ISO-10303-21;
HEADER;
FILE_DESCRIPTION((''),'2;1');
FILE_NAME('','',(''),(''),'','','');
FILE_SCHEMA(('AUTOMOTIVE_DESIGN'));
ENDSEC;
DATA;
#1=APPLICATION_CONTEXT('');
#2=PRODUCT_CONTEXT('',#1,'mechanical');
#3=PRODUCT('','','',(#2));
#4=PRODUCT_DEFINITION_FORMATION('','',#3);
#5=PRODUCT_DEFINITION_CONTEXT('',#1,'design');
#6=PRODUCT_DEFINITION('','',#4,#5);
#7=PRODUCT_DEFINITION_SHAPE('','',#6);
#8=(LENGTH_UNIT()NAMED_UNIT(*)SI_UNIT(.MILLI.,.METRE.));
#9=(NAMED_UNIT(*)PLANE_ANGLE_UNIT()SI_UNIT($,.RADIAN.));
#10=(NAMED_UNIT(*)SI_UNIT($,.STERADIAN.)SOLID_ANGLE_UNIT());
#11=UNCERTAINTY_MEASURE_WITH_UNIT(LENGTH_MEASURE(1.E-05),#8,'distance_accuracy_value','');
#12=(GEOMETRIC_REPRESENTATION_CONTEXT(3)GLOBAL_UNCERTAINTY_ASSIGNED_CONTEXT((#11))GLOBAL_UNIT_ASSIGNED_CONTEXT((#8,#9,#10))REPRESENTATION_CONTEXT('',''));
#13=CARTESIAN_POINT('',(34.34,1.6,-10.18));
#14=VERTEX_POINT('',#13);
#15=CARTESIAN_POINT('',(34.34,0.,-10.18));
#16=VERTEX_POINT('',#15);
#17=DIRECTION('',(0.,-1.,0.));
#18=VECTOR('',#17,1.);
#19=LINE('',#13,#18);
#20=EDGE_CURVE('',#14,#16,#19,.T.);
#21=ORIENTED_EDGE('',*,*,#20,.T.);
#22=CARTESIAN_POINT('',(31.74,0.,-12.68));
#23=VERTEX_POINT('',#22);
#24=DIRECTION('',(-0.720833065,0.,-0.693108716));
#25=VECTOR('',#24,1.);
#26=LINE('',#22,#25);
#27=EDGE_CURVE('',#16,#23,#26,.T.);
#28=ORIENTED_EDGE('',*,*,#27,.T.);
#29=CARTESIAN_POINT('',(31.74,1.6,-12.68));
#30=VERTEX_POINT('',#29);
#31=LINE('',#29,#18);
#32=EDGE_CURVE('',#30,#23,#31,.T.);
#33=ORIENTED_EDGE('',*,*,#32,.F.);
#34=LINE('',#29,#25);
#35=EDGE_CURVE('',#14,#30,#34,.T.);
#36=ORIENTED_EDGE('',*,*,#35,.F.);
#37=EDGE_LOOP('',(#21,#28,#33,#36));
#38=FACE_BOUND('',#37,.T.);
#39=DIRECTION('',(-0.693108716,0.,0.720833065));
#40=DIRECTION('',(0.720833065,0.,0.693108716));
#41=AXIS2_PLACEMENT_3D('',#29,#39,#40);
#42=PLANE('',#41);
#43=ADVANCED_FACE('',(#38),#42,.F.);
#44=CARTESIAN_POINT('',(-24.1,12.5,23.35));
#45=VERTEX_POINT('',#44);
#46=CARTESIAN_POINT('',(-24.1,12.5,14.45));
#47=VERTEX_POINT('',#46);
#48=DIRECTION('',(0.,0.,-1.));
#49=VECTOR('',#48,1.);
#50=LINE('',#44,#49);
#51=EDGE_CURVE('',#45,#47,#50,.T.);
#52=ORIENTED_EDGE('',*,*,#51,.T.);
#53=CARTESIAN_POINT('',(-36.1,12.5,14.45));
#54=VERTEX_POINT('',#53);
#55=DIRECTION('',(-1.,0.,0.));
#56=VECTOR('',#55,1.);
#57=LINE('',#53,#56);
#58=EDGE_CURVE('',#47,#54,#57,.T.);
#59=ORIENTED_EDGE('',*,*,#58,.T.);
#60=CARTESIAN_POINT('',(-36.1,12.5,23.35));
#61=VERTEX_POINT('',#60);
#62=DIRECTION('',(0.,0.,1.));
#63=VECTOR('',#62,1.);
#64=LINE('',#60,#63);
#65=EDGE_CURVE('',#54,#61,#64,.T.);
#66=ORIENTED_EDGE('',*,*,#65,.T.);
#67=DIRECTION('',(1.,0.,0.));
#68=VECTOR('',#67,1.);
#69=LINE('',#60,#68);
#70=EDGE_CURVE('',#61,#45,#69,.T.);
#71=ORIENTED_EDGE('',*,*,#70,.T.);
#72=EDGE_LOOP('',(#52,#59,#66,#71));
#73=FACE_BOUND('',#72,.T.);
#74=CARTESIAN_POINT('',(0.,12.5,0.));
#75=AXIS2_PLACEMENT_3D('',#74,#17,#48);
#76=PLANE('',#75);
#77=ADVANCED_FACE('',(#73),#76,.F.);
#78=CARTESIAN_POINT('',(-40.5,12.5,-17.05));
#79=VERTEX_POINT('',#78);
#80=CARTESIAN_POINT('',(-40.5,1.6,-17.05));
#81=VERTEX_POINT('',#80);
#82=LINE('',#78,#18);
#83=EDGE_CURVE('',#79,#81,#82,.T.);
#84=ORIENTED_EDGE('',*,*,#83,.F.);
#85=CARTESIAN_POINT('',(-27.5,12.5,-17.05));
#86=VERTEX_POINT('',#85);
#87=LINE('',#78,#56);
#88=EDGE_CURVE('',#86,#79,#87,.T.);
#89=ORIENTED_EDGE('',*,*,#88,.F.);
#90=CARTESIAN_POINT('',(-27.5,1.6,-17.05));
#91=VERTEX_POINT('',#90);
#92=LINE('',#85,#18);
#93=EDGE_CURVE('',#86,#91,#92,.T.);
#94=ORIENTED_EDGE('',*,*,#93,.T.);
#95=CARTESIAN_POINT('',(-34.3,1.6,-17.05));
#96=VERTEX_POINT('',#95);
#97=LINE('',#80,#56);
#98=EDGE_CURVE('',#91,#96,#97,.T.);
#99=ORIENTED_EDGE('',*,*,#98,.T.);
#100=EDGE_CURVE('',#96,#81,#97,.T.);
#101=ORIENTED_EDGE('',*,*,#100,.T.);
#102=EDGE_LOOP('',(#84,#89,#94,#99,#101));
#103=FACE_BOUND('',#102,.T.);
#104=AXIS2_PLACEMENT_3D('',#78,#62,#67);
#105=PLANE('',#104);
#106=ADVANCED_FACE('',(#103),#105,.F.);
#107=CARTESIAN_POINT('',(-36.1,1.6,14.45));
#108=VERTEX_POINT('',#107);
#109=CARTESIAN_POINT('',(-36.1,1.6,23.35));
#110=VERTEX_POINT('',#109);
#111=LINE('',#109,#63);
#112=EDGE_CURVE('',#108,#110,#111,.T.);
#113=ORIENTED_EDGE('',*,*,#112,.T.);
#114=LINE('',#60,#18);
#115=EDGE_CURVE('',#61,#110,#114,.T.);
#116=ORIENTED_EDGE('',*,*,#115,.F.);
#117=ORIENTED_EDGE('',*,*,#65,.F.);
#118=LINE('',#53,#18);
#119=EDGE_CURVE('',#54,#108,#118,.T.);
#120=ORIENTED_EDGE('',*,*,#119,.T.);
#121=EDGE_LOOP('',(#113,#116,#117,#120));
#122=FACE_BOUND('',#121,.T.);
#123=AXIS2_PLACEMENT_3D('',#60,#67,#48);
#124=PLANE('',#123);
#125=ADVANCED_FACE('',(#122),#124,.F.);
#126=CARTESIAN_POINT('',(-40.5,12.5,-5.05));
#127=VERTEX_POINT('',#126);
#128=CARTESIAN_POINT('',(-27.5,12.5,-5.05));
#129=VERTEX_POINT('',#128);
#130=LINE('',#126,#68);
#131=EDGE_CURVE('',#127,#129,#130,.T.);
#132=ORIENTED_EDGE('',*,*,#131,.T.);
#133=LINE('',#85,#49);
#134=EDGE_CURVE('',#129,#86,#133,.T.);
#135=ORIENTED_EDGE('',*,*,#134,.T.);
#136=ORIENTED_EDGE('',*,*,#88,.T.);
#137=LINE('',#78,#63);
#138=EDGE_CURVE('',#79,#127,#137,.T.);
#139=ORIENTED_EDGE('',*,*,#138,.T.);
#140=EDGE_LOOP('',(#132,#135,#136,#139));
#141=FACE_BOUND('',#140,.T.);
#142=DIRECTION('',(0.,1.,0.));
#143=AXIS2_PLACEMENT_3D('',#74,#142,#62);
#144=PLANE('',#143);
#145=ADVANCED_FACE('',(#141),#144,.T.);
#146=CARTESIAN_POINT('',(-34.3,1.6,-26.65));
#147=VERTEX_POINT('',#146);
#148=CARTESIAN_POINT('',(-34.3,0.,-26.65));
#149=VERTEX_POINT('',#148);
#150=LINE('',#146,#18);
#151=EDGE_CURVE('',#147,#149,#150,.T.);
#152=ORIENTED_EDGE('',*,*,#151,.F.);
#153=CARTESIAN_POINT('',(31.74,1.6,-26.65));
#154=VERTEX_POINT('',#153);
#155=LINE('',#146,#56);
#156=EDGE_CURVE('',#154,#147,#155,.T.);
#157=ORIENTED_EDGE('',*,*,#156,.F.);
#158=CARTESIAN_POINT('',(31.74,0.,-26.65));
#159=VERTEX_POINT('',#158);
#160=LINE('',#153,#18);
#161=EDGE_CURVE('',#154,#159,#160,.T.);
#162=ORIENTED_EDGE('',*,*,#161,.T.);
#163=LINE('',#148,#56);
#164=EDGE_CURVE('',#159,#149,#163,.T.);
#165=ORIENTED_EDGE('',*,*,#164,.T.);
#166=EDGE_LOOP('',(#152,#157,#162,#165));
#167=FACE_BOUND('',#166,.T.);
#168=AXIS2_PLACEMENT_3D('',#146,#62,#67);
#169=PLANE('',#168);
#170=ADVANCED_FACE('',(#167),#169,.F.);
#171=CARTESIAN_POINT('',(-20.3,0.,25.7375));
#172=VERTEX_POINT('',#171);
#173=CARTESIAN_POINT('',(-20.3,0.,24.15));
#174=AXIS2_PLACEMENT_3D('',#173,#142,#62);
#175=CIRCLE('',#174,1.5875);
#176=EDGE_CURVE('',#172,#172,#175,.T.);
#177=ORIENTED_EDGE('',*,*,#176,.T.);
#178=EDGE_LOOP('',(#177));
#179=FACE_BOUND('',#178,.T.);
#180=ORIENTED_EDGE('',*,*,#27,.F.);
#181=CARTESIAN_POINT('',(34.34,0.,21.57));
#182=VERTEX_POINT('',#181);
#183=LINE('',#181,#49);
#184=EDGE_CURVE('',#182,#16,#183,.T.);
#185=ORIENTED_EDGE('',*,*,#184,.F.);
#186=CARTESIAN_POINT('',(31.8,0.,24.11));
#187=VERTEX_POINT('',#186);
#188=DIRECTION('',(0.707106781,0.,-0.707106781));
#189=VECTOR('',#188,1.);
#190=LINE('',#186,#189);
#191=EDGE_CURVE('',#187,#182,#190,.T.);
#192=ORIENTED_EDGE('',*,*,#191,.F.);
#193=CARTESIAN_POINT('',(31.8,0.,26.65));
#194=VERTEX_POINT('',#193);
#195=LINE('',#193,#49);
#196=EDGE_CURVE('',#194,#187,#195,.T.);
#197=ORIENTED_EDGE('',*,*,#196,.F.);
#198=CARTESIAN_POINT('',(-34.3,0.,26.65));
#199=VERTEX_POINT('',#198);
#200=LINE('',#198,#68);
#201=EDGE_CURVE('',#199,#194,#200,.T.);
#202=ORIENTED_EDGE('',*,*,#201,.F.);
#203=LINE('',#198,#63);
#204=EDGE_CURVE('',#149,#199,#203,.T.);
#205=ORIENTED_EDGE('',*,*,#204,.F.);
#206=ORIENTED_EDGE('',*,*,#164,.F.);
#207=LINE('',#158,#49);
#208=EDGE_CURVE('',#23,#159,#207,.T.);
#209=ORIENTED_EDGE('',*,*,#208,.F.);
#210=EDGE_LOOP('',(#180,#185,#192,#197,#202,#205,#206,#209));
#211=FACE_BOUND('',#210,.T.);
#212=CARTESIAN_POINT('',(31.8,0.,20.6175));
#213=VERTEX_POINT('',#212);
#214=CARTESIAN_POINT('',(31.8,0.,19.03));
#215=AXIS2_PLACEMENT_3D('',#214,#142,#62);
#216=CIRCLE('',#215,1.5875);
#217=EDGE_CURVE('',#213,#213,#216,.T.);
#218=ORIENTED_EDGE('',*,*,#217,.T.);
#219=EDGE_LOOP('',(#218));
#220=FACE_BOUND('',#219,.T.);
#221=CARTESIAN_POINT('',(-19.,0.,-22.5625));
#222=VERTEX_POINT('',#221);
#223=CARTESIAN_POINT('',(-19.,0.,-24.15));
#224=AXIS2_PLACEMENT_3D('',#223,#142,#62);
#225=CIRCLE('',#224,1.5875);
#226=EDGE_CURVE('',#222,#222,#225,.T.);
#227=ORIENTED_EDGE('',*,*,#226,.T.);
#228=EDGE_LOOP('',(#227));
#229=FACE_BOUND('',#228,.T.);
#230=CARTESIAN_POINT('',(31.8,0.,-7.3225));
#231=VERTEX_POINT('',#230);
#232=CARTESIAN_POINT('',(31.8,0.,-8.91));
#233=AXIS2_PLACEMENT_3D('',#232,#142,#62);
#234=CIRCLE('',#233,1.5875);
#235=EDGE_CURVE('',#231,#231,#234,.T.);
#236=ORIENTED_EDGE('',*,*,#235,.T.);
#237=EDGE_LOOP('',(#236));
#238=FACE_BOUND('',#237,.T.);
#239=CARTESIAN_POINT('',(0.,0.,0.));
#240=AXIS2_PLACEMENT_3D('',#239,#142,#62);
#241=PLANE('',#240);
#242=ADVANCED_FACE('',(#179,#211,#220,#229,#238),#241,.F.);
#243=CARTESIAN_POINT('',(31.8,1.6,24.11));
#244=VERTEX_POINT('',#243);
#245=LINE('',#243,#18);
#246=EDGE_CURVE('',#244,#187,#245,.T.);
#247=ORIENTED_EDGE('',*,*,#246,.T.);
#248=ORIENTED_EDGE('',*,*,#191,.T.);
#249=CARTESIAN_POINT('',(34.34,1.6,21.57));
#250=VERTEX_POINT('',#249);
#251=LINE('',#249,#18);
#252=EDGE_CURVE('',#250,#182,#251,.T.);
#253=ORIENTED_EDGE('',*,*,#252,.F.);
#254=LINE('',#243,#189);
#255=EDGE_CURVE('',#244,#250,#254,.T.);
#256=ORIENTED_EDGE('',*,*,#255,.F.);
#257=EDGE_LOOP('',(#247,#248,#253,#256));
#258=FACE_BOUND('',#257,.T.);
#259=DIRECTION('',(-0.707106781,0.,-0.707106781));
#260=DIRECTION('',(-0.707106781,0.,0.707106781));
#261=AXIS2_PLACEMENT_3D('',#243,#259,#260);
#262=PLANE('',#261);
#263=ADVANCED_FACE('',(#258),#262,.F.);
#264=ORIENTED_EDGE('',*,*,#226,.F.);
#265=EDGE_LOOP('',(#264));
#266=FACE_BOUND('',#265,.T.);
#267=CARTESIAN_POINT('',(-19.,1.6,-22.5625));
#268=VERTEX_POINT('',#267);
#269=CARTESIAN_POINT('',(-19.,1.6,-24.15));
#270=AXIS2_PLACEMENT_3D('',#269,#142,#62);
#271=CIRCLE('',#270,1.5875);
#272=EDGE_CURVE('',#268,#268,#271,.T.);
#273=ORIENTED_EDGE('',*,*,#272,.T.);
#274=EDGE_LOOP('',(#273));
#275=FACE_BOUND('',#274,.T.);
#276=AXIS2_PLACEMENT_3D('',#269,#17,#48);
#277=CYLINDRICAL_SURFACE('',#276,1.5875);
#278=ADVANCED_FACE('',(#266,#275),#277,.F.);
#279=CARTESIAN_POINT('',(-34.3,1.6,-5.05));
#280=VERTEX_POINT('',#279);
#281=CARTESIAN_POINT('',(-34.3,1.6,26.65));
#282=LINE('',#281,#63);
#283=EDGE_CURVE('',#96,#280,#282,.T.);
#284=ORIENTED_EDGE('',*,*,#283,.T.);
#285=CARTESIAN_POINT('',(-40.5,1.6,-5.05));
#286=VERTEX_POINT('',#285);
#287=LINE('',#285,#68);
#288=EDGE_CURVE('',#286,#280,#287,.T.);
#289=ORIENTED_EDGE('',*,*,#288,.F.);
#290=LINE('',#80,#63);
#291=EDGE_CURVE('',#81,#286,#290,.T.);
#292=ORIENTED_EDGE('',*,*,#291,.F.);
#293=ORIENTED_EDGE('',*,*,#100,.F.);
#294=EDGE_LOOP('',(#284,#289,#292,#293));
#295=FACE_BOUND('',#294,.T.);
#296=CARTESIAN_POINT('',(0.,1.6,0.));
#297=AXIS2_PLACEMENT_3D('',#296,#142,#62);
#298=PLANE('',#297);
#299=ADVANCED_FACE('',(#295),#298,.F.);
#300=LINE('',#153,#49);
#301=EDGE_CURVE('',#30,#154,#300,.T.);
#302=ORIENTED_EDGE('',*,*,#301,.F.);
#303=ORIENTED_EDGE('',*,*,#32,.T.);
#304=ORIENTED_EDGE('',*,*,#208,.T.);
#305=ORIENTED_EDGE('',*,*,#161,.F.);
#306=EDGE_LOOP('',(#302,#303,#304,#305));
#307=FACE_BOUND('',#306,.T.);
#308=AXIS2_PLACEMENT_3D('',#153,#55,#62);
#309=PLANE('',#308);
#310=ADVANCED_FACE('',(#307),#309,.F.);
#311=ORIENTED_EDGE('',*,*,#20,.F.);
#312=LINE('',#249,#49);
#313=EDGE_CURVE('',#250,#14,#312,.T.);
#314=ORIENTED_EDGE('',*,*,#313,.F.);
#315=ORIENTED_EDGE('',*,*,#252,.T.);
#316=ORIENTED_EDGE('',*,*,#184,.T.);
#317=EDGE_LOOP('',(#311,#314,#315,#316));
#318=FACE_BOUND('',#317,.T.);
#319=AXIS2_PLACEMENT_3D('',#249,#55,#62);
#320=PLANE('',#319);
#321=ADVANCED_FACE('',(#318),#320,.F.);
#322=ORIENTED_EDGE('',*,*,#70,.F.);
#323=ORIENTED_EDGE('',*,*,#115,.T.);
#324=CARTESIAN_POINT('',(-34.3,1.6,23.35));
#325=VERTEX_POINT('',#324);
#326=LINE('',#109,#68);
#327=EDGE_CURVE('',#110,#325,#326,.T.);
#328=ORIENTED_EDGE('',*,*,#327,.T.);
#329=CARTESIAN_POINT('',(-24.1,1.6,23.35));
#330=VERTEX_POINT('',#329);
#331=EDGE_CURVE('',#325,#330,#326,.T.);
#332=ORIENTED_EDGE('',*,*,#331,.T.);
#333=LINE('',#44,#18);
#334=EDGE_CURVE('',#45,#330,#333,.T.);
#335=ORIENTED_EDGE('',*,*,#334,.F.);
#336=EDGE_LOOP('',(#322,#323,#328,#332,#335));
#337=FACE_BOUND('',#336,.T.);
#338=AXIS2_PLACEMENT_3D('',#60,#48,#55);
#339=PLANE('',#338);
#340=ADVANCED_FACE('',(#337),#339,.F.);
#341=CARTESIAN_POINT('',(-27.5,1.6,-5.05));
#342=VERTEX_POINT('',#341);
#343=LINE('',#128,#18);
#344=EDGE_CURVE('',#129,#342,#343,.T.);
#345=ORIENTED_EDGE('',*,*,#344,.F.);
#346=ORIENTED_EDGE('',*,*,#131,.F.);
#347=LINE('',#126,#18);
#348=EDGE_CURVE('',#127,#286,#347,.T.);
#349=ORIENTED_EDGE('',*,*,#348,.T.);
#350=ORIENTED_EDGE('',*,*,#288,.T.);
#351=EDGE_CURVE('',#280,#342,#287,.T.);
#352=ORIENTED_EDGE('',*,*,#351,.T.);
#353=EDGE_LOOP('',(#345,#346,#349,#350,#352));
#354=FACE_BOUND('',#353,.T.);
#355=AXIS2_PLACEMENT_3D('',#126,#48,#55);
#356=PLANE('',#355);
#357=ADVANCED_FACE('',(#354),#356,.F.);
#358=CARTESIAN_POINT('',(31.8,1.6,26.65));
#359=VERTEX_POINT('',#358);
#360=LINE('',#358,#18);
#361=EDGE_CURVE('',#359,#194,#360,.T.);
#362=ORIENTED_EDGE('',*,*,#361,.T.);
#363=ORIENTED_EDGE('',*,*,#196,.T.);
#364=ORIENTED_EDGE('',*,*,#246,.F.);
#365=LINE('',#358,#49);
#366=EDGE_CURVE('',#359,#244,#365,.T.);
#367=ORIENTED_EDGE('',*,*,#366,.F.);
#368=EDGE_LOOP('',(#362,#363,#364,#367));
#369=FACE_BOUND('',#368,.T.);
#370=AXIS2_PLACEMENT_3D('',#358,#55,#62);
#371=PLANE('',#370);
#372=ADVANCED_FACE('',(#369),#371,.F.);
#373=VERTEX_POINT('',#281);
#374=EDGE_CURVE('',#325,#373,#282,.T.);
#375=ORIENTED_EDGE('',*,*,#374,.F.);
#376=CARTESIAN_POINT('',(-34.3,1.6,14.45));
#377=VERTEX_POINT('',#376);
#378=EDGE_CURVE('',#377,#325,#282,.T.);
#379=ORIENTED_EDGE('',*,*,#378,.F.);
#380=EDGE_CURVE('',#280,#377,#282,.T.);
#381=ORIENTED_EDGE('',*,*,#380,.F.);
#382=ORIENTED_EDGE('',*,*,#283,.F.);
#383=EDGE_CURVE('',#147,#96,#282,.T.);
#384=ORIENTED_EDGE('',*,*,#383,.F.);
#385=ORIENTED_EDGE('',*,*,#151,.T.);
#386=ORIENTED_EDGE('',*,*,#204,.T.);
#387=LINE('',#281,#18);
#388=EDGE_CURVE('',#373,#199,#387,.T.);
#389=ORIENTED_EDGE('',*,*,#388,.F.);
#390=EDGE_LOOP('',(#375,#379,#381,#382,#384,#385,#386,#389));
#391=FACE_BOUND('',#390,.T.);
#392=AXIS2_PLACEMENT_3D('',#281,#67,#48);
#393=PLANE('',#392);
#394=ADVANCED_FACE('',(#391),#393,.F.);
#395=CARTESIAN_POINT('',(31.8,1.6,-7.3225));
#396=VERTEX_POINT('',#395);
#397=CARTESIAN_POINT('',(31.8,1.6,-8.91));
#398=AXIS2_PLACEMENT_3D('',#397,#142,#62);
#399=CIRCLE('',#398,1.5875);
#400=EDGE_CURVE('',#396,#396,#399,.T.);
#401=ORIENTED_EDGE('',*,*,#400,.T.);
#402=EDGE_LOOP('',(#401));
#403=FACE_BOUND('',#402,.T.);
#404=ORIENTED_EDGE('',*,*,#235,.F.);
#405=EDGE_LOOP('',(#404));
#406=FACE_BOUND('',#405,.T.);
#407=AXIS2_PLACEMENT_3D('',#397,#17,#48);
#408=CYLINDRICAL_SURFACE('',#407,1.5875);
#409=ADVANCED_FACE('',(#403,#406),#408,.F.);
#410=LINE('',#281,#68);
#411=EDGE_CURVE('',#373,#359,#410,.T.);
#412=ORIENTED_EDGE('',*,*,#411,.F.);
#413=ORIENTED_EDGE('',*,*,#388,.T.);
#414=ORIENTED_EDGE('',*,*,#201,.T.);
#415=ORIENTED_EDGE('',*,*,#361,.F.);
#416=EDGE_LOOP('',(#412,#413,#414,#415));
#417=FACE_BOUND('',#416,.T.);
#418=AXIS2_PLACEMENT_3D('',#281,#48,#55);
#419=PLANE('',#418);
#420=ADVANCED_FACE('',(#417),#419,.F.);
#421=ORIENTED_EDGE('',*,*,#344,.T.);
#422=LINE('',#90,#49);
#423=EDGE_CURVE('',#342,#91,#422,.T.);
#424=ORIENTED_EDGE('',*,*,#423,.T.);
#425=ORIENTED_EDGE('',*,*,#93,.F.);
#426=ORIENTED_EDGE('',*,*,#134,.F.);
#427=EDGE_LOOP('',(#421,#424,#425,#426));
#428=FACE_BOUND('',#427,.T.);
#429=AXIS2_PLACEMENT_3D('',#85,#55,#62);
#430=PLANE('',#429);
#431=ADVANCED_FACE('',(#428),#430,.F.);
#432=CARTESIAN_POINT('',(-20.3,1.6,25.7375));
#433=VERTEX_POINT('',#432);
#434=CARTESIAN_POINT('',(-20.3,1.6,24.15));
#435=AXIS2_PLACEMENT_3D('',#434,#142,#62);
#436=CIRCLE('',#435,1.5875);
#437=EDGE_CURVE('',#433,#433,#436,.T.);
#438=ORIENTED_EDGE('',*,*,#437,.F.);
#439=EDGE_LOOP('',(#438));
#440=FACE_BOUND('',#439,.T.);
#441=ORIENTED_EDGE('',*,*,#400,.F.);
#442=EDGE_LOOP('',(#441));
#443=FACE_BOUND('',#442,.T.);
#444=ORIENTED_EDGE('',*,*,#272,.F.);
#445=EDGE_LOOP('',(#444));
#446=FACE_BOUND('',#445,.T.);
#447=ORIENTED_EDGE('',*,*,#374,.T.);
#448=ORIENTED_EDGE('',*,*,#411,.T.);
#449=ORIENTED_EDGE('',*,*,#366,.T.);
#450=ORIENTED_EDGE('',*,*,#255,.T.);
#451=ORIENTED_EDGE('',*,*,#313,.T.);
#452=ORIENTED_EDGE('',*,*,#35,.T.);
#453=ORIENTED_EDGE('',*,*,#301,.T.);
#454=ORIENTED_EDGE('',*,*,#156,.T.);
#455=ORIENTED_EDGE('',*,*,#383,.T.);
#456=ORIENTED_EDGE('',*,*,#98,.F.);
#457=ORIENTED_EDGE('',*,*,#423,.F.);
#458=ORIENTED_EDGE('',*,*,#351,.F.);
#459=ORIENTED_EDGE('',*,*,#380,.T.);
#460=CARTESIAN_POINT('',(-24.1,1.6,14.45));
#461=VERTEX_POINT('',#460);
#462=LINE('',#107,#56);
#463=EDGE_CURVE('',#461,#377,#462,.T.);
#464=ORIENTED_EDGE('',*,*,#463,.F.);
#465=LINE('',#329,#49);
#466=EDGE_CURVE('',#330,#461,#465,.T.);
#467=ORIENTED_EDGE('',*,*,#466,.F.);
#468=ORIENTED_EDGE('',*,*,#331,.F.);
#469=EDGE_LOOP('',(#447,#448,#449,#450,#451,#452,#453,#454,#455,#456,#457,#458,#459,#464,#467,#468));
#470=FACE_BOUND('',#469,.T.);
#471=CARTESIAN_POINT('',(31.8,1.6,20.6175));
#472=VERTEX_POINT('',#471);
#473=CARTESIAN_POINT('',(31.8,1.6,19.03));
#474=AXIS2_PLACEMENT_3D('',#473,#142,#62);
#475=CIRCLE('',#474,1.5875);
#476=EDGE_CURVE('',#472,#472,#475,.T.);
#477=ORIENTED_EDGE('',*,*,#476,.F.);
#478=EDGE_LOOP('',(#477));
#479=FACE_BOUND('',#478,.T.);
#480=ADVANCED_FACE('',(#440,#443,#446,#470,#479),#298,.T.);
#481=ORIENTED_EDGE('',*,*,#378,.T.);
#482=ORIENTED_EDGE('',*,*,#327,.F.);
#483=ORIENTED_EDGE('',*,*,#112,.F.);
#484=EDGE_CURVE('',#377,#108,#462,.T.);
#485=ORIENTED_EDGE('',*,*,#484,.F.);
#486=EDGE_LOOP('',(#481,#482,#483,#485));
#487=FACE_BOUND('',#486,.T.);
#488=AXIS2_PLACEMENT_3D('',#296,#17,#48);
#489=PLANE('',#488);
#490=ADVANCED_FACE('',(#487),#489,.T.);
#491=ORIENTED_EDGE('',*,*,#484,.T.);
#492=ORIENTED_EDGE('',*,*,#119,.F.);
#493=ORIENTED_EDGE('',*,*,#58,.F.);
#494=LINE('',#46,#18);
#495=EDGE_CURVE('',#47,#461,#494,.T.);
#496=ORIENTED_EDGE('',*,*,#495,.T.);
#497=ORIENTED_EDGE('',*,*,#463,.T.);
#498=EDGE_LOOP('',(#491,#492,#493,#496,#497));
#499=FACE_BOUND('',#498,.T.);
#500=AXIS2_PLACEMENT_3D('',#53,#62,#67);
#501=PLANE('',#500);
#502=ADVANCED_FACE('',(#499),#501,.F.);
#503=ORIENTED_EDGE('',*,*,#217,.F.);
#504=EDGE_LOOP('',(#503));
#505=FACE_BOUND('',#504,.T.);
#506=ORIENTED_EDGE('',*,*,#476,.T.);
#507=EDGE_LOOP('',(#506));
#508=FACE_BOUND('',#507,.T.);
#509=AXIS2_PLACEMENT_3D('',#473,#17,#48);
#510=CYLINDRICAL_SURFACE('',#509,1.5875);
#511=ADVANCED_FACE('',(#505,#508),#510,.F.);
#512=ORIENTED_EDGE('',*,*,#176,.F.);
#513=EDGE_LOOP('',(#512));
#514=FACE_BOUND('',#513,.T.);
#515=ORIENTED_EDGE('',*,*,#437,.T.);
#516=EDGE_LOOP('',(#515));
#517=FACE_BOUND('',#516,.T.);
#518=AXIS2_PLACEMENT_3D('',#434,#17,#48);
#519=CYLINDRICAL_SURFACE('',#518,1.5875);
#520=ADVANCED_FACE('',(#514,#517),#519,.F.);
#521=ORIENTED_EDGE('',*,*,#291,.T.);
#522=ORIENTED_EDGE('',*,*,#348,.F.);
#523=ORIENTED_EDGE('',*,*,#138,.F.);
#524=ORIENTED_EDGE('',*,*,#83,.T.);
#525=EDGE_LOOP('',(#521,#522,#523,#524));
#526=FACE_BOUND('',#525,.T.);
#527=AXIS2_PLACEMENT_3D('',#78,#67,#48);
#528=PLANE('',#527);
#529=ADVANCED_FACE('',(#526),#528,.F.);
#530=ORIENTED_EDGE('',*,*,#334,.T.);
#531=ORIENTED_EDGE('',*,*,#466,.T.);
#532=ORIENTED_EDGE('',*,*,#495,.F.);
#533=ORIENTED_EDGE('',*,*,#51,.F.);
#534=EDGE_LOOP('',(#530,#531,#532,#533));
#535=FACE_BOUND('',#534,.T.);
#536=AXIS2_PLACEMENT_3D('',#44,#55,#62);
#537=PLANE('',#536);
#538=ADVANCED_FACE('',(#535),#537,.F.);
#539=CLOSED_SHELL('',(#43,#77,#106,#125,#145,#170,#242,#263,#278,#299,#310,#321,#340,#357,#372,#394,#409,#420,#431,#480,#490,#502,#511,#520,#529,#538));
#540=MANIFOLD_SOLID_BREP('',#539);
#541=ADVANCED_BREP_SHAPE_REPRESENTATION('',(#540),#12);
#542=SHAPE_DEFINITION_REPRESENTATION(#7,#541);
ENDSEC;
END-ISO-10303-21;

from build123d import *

# Parameters (mm, degrees)
SKETCH1_R           = 1.5875
BOSS_EXTRUDE1_DEPTH = 1.6
SKETCH2_W           = 12
SKETCH2_H           = 8.9
SKETCH2_W_2         = 13
SKETCH2_H_2         = 12
BOSS_EXTRUDE2_DEPTH = 10.9


with BuildPart() as part:
    # Sketch1 → Boss-Extrude1 (new body)
    with BuildSketch(Plane(origin=(0, 0, 0), x_dir=(1, 0, 0), z_dir=(0, 1, 0))):
        Polygon((-34.3, -26.65), (-34.3, 26.65), (31.74, 26.65), (31.74, 12.68), (34.34, 10.18), (34.34, -21.57), (31.8, -24.11), (31.8, -26.65), align=None)
        with Locations(Location((-19, 24.15, 0), (0, 0, 270))):
            Circle(SKETCH1_R, mode=Mode.SUBTRACT)
        with Locations(Location((-20.3, -24.15, 0), (0, 0, 270))):
            Circle(SKETCH1_R, mode=Mode.SUBTRACT)
        with Locations(Location((31.8, 8.91, 0), (0, 0, 270))):
            Circle(SKETCH1_R, mode=Mode.SUBTRACT)
        with Locations(Location((31.8, -19.03, 0), (0, 0, 270))):
            Circle(SKETCH1_R, mode=Mode.SUBTRACT)
    extrude(amount=BOSS_EXTRUDE1_DEPTH)

    # Sketch2 → Boss-Extrude2 (add)
    with BuildSketch(Plane(origin=(0, 1.6, 0), x_dir=(1, 0, 0), z_dir=(0, 1, 0))):
        with Locations((-30.1, -18.9)):
            Rectangle(SKETCH2_W, SKETCH2_H)
        with Locations((-34, 11.05)):
            Rectangle(SKETCH2_W_2, SKETCH2_H_2)
    extrude(amount=BOSS_EXTRUDE2_DEPTH)


solid = part.part
